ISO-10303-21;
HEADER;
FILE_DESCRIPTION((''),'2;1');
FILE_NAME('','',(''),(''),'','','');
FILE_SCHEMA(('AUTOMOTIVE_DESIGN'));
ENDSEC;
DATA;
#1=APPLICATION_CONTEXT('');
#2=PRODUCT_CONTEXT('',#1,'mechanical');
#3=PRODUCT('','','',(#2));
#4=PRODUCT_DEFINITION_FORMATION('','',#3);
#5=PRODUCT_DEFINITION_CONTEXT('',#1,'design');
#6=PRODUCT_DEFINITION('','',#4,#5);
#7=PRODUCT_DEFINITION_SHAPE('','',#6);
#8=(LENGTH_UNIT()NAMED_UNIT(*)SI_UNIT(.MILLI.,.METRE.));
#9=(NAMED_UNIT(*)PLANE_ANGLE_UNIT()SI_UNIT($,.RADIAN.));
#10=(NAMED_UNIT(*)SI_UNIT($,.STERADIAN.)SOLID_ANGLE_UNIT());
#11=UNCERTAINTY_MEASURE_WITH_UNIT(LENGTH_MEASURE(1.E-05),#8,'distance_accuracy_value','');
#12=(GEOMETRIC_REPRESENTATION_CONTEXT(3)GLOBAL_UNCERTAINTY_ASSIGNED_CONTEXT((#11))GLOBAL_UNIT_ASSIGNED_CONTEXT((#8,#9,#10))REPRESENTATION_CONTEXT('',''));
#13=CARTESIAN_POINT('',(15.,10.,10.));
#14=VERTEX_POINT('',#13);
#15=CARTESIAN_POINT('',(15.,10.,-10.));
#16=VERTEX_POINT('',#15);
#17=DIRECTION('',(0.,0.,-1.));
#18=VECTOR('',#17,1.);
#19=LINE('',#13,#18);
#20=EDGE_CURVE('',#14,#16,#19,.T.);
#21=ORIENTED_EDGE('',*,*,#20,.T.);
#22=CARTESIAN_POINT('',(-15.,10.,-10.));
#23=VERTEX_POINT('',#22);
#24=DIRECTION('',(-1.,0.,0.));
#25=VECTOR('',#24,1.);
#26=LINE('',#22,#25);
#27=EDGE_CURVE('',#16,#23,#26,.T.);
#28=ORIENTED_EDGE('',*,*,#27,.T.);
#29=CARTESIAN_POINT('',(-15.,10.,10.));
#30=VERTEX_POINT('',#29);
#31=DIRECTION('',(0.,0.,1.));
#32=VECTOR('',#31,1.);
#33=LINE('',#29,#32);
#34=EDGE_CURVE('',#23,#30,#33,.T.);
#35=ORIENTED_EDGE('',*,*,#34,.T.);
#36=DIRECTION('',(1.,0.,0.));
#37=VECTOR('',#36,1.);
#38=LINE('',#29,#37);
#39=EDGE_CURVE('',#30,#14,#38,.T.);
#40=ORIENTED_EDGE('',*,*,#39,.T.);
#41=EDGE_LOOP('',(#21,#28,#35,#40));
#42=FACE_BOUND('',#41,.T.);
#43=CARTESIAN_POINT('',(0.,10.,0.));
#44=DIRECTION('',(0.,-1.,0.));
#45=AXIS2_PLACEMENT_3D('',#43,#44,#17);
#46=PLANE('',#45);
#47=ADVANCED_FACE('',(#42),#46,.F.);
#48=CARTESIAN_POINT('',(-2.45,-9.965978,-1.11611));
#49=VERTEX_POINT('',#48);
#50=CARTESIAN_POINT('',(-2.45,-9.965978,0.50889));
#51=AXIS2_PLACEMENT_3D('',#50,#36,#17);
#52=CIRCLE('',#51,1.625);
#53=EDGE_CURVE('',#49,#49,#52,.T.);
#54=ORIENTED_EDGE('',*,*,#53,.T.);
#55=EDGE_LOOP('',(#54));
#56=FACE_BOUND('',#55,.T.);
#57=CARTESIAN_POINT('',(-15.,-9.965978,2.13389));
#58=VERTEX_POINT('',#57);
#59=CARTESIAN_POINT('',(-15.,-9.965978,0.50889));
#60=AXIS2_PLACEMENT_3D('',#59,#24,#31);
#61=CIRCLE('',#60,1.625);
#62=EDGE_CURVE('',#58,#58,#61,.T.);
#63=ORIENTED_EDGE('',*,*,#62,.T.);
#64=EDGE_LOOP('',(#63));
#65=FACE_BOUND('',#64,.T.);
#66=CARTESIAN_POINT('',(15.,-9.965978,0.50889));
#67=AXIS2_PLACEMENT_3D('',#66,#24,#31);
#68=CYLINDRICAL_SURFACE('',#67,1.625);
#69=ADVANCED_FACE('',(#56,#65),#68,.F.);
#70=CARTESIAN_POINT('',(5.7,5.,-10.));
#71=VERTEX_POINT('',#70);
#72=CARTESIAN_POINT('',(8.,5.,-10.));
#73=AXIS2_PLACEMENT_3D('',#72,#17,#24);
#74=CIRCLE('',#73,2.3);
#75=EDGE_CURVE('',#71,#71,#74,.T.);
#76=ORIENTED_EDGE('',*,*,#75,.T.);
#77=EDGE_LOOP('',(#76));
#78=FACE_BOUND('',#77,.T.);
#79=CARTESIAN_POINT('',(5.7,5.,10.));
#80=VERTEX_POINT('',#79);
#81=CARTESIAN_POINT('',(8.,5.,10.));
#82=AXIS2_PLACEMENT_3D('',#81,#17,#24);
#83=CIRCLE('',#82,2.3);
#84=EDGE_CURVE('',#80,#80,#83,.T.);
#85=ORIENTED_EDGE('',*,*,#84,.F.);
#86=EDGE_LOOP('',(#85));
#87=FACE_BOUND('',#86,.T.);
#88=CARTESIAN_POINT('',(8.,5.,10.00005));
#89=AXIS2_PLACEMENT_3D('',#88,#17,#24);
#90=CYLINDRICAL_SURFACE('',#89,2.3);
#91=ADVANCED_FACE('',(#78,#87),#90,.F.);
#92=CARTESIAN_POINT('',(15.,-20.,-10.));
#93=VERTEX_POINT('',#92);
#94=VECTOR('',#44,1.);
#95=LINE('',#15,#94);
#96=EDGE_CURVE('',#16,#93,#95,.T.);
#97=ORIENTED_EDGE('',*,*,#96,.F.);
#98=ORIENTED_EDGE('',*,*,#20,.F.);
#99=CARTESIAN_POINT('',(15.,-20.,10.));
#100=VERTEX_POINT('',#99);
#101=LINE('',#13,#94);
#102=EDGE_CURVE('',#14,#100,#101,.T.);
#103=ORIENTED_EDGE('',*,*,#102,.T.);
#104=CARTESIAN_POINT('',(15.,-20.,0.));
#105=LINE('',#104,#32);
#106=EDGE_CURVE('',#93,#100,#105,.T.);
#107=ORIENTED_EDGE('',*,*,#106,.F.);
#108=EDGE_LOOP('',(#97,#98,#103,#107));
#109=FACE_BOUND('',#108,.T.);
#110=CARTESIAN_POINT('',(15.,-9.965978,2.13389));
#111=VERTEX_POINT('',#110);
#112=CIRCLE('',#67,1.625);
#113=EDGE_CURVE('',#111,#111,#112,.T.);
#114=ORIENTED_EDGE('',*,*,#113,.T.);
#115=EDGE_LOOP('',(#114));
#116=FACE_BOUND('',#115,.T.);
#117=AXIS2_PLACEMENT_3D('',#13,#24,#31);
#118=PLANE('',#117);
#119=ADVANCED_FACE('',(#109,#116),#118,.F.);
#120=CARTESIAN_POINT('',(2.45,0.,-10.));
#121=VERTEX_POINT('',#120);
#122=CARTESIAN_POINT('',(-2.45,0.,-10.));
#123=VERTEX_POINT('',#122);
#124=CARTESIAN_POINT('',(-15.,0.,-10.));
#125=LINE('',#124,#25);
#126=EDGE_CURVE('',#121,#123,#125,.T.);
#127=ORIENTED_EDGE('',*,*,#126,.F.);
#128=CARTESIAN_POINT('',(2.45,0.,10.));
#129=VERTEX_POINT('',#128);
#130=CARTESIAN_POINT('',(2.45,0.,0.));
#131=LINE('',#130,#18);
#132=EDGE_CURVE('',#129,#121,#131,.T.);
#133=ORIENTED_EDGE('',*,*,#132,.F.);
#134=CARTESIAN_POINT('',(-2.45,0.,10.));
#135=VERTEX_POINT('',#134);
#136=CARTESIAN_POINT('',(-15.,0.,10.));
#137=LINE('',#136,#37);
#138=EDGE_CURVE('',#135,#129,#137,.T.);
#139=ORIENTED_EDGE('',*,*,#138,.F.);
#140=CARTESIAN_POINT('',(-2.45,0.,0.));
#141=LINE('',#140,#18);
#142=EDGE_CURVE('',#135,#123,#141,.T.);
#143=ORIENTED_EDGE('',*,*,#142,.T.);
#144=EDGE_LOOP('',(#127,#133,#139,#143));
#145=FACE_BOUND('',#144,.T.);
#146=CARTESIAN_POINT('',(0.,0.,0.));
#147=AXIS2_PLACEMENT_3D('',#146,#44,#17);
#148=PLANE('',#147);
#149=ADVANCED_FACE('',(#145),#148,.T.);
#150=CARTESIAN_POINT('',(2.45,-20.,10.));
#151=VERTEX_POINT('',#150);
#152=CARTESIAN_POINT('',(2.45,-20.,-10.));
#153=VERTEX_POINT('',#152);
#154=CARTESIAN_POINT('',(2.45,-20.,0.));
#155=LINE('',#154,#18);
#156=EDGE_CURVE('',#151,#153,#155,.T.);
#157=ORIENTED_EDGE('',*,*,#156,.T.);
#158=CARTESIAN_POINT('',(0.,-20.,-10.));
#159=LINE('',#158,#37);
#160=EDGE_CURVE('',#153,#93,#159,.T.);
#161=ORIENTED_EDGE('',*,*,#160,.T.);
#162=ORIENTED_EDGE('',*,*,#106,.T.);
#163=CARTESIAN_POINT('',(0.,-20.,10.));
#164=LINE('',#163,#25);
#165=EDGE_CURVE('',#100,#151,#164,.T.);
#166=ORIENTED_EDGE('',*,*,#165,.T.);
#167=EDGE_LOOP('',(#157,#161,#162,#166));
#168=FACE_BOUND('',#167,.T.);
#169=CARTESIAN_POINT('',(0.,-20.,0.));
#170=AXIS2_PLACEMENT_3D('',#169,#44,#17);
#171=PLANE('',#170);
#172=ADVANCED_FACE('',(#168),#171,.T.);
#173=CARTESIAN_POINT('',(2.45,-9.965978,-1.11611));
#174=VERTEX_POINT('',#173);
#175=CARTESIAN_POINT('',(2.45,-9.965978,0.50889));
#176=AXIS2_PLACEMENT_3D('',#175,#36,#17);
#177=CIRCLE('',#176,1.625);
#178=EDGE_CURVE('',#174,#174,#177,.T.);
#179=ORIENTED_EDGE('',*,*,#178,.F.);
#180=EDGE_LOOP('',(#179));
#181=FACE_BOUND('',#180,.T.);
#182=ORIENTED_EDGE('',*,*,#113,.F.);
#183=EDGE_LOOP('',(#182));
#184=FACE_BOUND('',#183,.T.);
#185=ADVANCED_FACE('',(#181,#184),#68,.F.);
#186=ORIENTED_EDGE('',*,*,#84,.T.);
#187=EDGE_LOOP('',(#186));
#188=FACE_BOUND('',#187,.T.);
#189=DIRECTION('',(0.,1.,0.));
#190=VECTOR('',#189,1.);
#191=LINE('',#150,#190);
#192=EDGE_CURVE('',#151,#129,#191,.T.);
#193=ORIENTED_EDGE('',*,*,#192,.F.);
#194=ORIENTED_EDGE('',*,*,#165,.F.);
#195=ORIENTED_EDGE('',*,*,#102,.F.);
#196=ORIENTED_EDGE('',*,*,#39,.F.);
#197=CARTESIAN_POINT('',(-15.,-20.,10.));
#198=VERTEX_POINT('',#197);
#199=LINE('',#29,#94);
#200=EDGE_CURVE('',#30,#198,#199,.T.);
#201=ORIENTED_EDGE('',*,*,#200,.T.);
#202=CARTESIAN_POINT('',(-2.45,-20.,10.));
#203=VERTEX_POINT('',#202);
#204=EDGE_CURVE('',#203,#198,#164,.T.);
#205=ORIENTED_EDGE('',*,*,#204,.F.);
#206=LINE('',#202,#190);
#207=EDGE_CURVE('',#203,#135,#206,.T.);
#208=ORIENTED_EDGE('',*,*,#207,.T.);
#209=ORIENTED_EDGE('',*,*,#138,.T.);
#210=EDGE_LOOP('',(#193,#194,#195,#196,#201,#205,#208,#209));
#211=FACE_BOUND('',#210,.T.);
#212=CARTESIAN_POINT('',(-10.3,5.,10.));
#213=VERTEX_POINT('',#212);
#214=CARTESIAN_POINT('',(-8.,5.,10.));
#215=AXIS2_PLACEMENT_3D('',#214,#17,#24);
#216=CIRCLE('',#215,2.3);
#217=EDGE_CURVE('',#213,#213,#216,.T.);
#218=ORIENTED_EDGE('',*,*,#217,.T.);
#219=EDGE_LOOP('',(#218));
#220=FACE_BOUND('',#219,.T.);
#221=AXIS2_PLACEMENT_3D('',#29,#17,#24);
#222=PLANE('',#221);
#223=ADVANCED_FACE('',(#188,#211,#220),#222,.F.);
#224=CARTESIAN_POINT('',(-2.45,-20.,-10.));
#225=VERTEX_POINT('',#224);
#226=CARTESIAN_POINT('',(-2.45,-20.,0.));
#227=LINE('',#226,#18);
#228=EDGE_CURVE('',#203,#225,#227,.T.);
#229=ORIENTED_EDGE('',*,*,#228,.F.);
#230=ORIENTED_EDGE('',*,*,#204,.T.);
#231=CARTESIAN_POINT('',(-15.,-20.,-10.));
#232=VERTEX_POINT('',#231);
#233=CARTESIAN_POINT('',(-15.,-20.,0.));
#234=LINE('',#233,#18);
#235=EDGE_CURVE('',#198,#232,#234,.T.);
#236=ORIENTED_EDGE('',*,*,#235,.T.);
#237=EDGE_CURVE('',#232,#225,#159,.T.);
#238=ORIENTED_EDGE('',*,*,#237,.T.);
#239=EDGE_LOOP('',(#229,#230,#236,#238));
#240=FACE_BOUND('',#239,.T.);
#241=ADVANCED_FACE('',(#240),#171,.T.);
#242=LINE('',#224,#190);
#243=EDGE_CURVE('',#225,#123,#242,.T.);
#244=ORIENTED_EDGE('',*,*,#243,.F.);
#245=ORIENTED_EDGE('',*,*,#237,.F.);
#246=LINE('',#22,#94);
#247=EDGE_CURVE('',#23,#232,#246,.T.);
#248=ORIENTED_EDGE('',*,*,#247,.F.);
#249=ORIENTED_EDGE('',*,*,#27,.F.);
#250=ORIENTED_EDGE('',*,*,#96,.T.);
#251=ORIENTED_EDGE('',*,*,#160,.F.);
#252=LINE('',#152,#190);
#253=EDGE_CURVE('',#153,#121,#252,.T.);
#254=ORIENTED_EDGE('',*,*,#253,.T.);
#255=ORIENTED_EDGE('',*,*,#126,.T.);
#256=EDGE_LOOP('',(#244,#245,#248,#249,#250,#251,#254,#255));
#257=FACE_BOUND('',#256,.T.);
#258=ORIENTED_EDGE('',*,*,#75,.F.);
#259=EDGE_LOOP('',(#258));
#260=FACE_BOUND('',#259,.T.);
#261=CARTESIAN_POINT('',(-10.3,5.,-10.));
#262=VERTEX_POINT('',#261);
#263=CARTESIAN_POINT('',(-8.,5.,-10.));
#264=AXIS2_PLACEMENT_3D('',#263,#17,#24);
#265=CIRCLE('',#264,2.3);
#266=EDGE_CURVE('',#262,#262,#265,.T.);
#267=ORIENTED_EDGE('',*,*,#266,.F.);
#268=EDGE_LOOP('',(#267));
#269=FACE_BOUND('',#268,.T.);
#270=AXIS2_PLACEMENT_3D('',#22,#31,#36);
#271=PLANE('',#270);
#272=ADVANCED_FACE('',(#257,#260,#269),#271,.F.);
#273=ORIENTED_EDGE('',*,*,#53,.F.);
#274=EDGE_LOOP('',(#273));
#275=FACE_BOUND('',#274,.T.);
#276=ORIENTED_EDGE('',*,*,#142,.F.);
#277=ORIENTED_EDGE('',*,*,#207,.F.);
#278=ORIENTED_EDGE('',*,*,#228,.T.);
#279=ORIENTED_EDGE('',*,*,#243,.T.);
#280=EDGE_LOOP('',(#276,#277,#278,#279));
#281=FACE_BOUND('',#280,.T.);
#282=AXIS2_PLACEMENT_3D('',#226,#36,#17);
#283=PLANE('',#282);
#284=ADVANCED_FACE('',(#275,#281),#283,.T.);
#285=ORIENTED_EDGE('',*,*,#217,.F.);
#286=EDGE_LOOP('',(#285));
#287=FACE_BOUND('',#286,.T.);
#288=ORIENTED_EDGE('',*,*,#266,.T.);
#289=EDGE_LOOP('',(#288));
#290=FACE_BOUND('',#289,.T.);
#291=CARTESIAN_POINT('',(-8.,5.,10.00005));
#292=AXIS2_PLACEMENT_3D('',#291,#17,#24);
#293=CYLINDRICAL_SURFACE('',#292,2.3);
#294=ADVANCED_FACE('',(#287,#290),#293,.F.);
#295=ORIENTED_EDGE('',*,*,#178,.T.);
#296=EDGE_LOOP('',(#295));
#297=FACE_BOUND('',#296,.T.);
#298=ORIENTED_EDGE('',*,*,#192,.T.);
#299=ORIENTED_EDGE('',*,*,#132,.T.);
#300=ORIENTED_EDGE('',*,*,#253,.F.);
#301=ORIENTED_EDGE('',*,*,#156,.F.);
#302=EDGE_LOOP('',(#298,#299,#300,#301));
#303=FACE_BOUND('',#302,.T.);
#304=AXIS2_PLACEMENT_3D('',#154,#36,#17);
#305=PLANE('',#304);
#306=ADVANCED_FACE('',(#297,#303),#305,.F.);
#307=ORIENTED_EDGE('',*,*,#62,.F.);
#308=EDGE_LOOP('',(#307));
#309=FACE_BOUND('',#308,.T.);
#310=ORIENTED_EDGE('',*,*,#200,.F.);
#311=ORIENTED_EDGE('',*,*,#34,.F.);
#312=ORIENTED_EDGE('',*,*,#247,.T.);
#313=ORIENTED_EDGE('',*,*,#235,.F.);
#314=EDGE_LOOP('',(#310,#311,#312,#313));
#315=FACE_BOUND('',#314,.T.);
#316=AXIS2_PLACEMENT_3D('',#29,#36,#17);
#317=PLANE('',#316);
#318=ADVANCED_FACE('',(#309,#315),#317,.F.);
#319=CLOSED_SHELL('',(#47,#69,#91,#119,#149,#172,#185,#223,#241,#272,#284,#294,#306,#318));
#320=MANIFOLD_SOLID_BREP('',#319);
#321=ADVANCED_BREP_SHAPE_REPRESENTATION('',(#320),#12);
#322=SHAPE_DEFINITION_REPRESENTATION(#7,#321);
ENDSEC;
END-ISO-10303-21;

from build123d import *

# Parameters (mm, degrees)
SKETCH1_W           = 30
SKETCH1_H           = 20
BOSS_EXTRUDE1_DEPTH = 10
SKETCH3_W           = 12.55
SKETCH3_H           = 20
BOSS_EXTRUDE3_DEPTH = 20
SKETCH6_R           = 2.3
CUT_EXTRUDE1_DEPTH  = 33.015621187
SKETCH7_R           = 1.625
CUT_EXTRUDE2_DEPTH  = 141.678400141


with BuildPart() as part:
    # Sketch1 → Boss-Extrude1 (new body)
    with BuildSketch(Plane(origin=(0, 0, 0), x_dir=(1, 0, 0), z_dir=(0, 1, 0))):
        Rectangle(SKETCH1_W, SKETCH1_H)
    extrude(amount=BOSS_EXTRUDE1_DEPTH)

    # Sketch3 → Boss-Extrude3 (add)
    with BuildSketch(Plane.XZ):
        with Locations((8.725, 0)):
            Rectangle(SKETCH3_W, SKETCH3_H)
        with Locations((-8.725, 0)):
            Rectangle(SKETCH3_W, SKETCH3_H)
    extrude(amount=BOSS_EXTRUDE3_DEPTH)

    # Sketch6 → Cut-Extrude1 (cut, through all)
    with BuildSketch(Plane(origin=(0, 0, -10), x_dir=(-1, 0, 0), z_dir=(0, 0, -1))):
        with Locations((8, 5)):
            Circle(SKETCH6_R)
        with Locations((-8, 5)):
            Circle(SKETCH6_R)
    extrude(amount=-CUT_EXTRUDE1_DEPTH, mode=Mode.SUBTRACT)

    # Sketch7 → Cut-Extrude2 (cut, through all)
    with BuildSketch(Plane(origin=(-15, -86.420292381, -87.946615477), x_dir=(0, 1, 0), z_dir=(-1, 0, 0))):
        with Locations(Location((76.454314497, -88.455505565, 0), (0, 0, 270))):
            Circle(SKETCH7_R)
    extrude(amount=-CUT_EXTRUDE2_DEPTH, mode=Mode.SUBTRACT)


solid = part.part
